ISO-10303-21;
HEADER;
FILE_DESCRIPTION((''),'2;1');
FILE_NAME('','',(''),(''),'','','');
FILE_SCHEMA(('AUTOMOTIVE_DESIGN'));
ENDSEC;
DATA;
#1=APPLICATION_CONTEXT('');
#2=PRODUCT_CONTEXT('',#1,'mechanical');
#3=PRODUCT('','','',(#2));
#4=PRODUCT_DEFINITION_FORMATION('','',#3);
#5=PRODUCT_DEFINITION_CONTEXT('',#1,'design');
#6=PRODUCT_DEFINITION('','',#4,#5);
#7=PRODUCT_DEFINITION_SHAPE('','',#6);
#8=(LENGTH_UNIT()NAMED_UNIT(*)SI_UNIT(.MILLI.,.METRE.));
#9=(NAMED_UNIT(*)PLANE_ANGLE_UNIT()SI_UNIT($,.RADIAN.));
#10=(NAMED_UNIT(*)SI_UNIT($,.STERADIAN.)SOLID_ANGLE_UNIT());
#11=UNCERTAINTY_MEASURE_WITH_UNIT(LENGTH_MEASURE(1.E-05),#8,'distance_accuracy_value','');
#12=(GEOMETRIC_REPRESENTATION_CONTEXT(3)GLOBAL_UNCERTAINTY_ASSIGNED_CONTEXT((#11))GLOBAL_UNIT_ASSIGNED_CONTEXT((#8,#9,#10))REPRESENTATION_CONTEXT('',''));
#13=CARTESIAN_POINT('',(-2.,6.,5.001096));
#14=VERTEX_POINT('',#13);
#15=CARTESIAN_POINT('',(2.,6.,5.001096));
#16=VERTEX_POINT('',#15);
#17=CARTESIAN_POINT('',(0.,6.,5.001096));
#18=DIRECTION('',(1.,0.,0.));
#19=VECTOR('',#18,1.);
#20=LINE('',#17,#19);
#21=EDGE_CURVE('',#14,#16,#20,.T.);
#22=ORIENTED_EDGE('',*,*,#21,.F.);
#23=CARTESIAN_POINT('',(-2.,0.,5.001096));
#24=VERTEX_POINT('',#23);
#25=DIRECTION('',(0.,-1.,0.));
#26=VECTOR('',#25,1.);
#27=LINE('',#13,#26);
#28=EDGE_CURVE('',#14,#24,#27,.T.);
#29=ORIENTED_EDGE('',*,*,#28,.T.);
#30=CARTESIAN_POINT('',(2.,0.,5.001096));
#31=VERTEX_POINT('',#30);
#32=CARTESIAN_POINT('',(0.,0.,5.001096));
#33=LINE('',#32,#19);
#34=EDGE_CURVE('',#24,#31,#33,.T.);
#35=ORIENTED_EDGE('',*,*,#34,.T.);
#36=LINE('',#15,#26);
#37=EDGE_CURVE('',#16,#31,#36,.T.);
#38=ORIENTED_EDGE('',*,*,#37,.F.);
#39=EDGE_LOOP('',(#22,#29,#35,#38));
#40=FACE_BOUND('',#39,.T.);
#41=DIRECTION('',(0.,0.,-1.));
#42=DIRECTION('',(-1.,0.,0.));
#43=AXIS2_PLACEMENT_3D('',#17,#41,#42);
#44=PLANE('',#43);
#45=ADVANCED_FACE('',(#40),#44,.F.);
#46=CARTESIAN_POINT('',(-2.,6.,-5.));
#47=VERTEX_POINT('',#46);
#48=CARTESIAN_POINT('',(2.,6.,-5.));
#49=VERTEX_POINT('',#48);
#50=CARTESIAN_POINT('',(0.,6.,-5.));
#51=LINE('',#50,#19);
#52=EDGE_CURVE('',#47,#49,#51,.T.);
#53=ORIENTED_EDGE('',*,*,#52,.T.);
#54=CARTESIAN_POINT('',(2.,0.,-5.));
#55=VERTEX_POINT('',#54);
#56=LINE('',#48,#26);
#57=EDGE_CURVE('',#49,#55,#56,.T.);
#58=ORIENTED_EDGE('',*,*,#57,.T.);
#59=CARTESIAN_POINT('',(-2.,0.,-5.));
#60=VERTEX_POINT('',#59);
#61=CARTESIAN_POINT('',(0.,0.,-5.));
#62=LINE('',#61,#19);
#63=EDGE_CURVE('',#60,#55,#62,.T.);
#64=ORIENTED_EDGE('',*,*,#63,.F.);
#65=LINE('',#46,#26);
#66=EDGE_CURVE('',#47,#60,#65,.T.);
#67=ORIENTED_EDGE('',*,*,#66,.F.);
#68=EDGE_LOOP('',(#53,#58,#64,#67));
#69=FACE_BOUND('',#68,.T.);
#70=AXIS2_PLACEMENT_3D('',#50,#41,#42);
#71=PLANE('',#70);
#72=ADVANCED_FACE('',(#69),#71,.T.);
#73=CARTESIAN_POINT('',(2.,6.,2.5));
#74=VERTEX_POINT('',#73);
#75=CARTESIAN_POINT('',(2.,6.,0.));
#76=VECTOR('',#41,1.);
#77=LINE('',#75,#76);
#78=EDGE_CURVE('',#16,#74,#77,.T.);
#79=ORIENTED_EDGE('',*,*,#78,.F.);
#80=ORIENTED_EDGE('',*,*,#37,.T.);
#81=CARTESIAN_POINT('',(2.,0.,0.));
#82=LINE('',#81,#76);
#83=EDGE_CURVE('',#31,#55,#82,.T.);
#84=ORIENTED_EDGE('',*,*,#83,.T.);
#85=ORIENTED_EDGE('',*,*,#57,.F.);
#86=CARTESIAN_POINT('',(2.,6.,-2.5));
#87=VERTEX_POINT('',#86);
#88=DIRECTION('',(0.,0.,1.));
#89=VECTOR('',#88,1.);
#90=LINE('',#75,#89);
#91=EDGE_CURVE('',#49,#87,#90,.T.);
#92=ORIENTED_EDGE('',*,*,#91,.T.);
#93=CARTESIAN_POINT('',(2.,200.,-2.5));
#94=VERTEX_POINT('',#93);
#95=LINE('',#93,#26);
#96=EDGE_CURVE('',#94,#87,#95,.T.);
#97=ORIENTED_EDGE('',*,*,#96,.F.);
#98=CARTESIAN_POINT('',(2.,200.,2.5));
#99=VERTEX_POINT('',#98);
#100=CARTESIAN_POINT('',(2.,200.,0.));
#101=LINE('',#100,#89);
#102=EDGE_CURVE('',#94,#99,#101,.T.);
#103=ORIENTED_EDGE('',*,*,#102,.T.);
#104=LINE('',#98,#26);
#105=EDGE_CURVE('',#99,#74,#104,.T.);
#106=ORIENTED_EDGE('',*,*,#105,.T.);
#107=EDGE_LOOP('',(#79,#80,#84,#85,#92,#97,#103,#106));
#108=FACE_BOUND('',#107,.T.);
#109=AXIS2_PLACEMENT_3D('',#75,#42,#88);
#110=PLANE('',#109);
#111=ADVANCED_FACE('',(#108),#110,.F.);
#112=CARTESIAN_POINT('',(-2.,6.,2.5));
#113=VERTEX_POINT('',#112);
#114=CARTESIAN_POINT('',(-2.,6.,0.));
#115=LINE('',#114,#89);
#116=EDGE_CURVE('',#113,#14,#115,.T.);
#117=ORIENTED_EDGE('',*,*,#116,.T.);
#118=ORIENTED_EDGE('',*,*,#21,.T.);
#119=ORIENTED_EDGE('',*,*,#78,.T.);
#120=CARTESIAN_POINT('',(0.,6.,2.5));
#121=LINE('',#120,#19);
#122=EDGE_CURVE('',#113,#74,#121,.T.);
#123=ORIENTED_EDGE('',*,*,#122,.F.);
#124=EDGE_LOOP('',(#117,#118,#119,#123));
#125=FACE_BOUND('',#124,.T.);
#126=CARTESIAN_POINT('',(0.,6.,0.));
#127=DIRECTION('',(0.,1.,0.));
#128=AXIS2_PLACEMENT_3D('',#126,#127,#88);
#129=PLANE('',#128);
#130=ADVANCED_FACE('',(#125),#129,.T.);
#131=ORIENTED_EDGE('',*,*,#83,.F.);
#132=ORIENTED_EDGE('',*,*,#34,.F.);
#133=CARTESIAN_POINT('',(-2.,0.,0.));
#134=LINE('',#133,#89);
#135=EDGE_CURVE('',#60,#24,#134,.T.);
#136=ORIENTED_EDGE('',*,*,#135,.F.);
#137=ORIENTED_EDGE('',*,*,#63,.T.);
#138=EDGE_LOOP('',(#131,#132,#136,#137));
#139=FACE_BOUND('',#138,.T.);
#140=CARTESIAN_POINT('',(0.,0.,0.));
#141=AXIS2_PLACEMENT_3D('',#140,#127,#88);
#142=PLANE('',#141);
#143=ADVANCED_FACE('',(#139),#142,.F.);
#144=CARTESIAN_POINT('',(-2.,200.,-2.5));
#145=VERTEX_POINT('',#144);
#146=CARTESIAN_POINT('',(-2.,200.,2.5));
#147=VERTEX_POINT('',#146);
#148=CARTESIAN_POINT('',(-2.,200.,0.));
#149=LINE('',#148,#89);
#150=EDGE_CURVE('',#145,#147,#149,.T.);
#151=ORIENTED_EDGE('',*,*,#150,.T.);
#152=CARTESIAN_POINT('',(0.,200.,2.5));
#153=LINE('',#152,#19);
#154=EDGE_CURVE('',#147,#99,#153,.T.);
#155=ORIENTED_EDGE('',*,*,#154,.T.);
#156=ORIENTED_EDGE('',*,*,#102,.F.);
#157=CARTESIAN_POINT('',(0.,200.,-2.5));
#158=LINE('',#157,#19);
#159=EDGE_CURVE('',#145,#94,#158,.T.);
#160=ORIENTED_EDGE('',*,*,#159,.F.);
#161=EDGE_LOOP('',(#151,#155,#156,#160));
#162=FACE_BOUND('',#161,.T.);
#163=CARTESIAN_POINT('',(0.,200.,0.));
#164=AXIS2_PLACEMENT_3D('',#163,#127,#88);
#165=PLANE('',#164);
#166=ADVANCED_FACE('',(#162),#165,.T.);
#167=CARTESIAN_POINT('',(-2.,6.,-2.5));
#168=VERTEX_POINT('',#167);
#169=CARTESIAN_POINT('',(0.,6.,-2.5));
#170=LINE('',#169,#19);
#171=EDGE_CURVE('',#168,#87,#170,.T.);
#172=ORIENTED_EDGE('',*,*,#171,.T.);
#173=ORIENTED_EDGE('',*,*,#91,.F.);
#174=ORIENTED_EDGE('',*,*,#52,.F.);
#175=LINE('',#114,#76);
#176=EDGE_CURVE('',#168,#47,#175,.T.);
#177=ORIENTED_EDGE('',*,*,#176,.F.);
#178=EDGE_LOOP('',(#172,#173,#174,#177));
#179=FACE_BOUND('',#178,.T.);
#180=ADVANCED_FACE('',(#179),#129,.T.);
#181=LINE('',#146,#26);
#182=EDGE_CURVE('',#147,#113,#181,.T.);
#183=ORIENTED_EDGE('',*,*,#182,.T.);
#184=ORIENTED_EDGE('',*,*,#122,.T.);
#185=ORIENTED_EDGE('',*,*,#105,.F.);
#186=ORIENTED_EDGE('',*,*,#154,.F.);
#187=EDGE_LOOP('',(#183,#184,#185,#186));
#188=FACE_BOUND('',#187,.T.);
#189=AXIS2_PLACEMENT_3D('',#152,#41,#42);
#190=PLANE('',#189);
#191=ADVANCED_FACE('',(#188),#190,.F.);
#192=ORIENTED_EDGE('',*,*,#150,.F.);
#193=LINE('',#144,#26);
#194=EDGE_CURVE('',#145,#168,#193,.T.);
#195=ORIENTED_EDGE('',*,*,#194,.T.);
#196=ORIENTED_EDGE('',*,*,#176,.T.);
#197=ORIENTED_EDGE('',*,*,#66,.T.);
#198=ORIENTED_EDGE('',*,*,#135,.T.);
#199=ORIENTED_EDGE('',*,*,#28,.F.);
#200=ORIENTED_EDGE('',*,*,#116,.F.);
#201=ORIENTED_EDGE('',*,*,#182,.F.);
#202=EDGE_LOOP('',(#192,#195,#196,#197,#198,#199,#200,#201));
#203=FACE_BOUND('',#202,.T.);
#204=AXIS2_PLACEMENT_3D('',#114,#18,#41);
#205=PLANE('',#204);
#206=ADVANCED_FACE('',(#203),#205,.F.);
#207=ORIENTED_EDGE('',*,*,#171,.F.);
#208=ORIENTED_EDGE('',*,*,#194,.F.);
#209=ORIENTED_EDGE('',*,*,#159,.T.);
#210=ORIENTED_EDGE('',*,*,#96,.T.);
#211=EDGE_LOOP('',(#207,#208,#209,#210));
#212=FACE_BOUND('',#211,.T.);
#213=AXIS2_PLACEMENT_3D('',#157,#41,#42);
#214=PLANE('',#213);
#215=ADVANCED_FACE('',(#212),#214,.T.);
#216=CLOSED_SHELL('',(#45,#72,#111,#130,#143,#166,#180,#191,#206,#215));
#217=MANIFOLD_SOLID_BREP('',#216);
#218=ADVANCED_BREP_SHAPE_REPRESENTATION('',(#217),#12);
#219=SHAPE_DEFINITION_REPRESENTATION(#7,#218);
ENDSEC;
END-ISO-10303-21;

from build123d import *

# Parameters (mm, degrees)
SKETCH1_W             = 4
SKETCH1_H             = 2.501095517
BOSS_EXTRUDE1_DEPTH   = 6
SKETCH1_H_2           = 2.5
BOSS_EXTRUDE1_2_DEPTH = 6
SKETCH1_3_W           = 4
SKETCH1_3_H           = 5
BOSS_EXTRUDE2_DEPTH   = 200


with BuildPart() as part:
    # Sketch1 → Boss-Extrude1 (new body)
    with BuildSketch(Plane(origin=(0, 0, 0), x_dir=(1, 0, 0), z_dir=(0, 1, 0))):
        with Locations((0, -3.750547759)):
            Rectangle(SKETCH1_W, SKETCH1_H)
    extrude(amount=BOSS_EXTRUDE1_DEPTH)



with BuildPart() as body_2:
    # Sketch1 → Boss-Extrude1 2 (new body)
    with BuildSketch(Plane(origin=(0, 0, 0), x_dir=(1, 0, 0), z_dir=(0, 1, 0))):
        with Locations((0, 3.75)):
            Rectangle(SKETCH1_W, SKETCH1_H_2)
    extrude(amount=BOSS_EXTRUDE1_2_DEPTH)


with BuildPart() as part_1:
    add(part.part)

    add(body_2.part)  # Boss-Extrude2 merges body 2
    # Sketch1<3> → Boss-Extrude2 (add)
    with BuildSketch(Plane(origin=(0, 0, 0), x_dir=(1, 0, 0), z_dir=(0, 1, 0))):
        Rectangle(SKETCH1_3_W, SKETCH1_3_H)
    extrude(amount=BOSS_EXTRUDE2_DEPTH)


solid = part_1.part
